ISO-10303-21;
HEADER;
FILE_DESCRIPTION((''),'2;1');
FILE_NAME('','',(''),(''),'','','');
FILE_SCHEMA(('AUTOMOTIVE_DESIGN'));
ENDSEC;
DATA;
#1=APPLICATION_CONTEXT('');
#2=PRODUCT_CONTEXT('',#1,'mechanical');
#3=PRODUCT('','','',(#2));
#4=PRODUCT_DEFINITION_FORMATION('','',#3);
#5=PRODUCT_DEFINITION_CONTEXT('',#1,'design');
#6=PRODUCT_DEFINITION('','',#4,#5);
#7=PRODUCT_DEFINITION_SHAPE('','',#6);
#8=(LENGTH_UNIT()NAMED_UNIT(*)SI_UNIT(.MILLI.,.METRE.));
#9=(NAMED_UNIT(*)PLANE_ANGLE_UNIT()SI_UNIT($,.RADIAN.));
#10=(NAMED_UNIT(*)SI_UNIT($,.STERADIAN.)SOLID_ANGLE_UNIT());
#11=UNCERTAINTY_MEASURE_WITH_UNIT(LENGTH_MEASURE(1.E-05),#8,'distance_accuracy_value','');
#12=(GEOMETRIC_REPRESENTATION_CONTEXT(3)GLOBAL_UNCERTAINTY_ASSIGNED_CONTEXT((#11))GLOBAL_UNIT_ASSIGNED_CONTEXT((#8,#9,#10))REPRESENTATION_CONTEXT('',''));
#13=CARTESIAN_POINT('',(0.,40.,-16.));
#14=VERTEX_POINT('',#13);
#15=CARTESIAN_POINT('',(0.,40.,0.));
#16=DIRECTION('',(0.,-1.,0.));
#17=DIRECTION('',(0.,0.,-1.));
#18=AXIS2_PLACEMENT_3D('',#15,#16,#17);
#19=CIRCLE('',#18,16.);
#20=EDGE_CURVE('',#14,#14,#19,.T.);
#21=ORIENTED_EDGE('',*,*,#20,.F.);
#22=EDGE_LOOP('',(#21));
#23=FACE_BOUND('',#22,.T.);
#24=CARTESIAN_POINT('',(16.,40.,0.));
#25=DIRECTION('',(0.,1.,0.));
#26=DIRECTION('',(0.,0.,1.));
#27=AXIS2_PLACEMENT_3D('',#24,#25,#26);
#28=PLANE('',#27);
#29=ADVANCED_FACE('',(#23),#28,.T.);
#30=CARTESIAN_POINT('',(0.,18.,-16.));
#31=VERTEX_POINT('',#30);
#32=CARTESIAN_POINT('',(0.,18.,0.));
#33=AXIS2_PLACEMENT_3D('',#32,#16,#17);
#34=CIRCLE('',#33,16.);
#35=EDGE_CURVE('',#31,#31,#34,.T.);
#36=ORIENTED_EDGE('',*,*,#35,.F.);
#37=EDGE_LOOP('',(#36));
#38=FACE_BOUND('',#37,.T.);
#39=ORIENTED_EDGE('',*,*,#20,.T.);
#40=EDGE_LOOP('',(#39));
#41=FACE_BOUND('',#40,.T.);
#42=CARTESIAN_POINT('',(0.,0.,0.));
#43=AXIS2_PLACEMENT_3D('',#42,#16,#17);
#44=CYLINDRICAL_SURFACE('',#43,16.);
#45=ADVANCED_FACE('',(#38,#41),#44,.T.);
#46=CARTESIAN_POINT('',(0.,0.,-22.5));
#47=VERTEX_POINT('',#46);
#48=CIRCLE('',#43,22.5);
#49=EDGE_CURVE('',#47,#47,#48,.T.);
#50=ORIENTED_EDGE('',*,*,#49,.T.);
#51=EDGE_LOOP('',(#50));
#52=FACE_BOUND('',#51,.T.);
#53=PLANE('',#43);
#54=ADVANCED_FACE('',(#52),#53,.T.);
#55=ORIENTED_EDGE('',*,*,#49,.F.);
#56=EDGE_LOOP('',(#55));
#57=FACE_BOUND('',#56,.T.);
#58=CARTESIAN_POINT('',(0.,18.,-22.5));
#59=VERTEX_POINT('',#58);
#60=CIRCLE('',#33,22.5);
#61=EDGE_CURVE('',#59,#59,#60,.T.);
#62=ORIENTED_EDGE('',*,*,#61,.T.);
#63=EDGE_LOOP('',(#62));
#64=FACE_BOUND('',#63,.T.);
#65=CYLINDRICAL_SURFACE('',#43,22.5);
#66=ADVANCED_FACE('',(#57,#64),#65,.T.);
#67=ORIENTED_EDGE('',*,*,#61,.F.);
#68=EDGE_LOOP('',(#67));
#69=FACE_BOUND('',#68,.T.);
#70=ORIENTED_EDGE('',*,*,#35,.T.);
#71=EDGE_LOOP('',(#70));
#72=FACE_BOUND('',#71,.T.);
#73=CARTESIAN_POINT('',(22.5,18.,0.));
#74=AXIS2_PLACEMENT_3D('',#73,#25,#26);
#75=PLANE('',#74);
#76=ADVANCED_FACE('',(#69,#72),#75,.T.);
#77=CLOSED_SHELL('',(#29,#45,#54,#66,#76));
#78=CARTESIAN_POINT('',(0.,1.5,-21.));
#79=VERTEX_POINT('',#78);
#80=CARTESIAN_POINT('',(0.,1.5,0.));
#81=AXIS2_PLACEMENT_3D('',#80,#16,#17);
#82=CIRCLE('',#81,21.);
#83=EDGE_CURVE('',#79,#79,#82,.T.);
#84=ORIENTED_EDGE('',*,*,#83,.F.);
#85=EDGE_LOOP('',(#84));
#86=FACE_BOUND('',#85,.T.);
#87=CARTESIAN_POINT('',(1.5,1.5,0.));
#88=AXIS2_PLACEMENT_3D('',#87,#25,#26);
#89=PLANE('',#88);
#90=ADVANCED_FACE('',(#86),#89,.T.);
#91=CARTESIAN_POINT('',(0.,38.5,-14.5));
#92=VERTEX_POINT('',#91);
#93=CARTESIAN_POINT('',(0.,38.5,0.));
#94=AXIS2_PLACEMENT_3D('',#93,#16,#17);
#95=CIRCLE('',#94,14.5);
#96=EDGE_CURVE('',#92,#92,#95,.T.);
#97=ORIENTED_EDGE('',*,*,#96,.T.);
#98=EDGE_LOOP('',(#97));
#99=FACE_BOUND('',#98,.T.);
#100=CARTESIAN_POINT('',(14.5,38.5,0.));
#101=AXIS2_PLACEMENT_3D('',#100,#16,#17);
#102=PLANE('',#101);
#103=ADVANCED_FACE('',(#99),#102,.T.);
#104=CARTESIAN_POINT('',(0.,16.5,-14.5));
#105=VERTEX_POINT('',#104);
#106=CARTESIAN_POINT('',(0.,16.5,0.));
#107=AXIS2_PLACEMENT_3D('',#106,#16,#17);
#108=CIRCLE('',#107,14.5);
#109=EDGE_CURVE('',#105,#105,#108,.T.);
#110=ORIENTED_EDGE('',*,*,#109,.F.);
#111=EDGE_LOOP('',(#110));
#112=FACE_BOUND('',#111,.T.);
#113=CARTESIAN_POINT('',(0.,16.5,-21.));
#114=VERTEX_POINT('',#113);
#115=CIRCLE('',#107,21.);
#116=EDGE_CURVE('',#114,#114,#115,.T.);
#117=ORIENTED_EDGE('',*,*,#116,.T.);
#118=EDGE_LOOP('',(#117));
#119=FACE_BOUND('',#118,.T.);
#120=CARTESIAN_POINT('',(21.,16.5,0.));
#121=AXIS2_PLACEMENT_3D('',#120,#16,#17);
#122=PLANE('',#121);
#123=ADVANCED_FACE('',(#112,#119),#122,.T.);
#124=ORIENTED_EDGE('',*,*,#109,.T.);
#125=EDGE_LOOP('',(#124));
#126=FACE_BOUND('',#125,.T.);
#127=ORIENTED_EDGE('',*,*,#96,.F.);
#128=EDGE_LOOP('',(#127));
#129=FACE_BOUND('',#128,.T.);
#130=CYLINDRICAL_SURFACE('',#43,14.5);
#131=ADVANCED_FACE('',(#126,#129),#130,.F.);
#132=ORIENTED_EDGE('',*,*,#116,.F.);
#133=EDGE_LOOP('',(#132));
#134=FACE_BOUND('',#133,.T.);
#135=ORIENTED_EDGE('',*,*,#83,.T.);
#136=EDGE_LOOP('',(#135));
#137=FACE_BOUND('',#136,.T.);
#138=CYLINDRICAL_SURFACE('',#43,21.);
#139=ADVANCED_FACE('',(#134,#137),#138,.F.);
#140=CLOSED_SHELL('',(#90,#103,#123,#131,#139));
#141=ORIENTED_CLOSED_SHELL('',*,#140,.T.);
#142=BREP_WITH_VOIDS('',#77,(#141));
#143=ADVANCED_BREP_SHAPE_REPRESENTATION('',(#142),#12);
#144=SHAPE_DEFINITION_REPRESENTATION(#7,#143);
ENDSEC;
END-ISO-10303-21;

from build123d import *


with BuildPart() as part:
    # Sketch1 → Revolve1 (revolve)
    with BuildSketch(Plane.XY, mode=Mode.PRIVATE) as revolve1_sk:
        Polygon((0, 0), (22.5, 0), (22.5, 18), (16, 18), (16, 40), (0, 40), (0, 38.5), (1.5, 38.5), (14.5, 38.5), (14.5, 16.5), (21, 16.5), (21, 1.5), (1.5, 1.5), (0, 1.5), align=None)
    revolve(revolve1_sk.sketch.rotate(Axis((0, 0, 0), (0, 1, 0)), 90), axis=Axis((0, 0, 0), (0, 1, 0)))


solid = part.part
